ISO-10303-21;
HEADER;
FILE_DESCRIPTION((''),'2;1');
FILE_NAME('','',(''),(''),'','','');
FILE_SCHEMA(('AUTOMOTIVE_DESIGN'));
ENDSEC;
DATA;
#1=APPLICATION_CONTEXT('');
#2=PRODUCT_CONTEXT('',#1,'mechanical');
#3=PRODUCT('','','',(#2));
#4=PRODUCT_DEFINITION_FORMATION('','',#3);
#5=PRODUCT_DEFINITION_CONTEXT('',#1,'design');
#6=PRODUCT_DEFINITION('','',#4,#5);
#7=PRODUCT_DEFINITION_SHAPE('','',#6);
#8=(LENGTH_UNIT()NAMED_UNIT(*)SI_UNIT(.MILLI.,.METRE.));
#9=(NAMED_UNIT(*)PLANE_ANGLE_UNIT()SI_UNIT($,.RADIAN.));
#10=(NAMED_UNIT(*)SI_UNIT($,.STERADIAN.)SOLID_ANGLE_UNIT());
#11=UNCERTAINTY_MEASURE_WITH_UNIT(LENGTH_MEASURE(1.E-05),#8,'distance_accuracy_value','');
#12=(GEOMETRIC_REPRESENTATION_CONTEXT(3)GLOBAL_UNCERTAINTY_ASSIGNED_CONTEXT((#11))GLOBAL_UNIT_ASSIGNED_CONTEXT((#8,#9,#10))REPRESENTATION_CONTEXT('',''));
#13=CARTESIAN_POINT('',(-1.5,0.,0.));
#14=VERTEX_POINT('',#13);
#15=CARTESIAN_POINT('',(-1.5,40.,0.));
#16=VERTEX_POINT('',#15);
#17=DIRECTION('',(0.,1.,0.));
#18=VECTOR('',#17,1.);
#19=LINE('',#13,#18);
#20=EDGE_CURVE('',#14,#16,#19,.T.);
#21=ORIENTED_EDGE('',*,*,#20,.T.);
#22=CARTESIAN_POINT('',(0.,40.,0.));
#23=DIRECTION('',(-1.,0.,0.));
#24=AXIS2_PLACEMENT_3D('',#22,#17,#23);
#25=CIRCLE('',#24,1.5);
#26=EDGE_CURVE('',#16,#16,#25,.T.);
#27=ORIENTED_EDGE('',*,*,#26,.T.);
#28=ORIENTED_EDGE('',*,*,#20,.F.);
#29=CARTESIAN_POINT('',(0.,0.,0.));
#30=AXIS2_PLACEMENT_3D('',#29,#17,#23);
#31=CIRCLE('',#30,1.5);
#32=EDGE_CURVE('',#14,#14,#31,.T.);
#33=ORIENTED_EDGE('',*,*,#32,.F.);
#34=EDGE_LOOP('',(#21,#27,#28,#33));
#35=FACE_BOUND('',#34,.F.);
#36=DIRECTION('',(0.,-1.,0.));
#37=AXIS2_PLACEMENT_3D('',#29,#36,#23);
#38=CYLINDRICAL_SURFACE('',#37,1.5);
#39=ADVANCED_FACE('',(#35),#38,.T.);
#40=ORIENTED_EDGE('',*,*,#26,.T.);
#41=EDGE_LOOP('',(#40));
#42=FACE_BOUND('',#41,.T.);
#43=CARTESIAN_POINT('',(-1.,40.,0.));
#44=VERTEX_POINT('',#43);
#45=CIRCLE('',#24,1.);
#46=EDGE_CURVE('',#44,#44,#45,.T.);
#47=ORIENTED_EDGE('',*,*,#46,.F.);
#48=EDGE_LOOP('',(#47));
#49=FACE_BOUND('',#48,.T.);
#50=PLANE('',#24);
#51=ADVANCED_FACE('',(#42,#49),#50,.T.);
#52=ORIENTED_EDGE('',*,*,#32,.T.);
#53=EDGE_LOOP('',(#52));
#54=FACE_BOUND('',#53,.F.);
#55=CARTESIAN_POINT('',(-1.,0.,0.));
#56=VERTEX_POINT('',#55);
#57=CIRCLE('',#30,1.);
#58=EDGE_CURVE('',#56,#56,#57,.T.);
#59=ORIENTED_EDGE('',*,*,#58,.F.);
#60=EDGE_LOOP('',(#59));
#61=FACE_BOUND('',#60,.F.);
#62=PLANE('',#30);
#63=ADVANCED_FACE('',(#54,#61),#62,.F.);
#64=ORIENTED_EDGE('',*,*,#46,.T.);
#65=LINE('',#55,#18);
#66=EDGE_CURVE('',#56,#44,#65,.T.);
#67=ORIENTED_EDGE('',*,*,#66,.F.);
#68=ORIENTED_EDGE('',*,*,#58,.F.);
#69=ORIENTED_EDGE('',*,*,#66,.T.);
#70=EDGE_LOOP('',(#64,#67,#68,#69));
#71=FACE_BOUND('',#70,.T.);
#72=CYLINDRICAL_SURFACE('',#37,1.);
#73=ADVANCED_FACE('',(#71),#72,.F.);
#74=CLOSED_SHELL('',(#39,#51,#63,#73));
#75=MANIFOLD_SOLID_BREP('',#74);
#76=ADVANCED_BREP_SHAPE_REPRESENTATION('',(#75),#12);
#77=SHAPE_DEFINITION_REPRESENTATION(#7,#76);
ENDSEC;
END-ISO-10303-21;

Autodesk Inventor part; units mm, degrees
ref_plane "YZ Plane" through (0, 0, 0) normal (1, 0, 0) x (0, 1, 0)
ref_plane "XZ Plane" through (0, 0, 0) normal (0, 1, 0) x (-1, 0, 0)
ref_plane "XY Plane" through (0, 0, 0) normal (0, 0, 1) x (1, 0, 0)
sketch "Sketch1" plane through (0, 0, 0) normal (0, 1, 0) x (-1, 0, 0)
  circle A0 centre (0, 0) radius 1.5
  circle A1 centre (0, 0) radius 1
  dimension "d0" = 3
  dimension "d1" = 0.5
extrude "Extrusion1" add sketch "Sketch1" along normal blind 40
properties part number "pin3_40"
